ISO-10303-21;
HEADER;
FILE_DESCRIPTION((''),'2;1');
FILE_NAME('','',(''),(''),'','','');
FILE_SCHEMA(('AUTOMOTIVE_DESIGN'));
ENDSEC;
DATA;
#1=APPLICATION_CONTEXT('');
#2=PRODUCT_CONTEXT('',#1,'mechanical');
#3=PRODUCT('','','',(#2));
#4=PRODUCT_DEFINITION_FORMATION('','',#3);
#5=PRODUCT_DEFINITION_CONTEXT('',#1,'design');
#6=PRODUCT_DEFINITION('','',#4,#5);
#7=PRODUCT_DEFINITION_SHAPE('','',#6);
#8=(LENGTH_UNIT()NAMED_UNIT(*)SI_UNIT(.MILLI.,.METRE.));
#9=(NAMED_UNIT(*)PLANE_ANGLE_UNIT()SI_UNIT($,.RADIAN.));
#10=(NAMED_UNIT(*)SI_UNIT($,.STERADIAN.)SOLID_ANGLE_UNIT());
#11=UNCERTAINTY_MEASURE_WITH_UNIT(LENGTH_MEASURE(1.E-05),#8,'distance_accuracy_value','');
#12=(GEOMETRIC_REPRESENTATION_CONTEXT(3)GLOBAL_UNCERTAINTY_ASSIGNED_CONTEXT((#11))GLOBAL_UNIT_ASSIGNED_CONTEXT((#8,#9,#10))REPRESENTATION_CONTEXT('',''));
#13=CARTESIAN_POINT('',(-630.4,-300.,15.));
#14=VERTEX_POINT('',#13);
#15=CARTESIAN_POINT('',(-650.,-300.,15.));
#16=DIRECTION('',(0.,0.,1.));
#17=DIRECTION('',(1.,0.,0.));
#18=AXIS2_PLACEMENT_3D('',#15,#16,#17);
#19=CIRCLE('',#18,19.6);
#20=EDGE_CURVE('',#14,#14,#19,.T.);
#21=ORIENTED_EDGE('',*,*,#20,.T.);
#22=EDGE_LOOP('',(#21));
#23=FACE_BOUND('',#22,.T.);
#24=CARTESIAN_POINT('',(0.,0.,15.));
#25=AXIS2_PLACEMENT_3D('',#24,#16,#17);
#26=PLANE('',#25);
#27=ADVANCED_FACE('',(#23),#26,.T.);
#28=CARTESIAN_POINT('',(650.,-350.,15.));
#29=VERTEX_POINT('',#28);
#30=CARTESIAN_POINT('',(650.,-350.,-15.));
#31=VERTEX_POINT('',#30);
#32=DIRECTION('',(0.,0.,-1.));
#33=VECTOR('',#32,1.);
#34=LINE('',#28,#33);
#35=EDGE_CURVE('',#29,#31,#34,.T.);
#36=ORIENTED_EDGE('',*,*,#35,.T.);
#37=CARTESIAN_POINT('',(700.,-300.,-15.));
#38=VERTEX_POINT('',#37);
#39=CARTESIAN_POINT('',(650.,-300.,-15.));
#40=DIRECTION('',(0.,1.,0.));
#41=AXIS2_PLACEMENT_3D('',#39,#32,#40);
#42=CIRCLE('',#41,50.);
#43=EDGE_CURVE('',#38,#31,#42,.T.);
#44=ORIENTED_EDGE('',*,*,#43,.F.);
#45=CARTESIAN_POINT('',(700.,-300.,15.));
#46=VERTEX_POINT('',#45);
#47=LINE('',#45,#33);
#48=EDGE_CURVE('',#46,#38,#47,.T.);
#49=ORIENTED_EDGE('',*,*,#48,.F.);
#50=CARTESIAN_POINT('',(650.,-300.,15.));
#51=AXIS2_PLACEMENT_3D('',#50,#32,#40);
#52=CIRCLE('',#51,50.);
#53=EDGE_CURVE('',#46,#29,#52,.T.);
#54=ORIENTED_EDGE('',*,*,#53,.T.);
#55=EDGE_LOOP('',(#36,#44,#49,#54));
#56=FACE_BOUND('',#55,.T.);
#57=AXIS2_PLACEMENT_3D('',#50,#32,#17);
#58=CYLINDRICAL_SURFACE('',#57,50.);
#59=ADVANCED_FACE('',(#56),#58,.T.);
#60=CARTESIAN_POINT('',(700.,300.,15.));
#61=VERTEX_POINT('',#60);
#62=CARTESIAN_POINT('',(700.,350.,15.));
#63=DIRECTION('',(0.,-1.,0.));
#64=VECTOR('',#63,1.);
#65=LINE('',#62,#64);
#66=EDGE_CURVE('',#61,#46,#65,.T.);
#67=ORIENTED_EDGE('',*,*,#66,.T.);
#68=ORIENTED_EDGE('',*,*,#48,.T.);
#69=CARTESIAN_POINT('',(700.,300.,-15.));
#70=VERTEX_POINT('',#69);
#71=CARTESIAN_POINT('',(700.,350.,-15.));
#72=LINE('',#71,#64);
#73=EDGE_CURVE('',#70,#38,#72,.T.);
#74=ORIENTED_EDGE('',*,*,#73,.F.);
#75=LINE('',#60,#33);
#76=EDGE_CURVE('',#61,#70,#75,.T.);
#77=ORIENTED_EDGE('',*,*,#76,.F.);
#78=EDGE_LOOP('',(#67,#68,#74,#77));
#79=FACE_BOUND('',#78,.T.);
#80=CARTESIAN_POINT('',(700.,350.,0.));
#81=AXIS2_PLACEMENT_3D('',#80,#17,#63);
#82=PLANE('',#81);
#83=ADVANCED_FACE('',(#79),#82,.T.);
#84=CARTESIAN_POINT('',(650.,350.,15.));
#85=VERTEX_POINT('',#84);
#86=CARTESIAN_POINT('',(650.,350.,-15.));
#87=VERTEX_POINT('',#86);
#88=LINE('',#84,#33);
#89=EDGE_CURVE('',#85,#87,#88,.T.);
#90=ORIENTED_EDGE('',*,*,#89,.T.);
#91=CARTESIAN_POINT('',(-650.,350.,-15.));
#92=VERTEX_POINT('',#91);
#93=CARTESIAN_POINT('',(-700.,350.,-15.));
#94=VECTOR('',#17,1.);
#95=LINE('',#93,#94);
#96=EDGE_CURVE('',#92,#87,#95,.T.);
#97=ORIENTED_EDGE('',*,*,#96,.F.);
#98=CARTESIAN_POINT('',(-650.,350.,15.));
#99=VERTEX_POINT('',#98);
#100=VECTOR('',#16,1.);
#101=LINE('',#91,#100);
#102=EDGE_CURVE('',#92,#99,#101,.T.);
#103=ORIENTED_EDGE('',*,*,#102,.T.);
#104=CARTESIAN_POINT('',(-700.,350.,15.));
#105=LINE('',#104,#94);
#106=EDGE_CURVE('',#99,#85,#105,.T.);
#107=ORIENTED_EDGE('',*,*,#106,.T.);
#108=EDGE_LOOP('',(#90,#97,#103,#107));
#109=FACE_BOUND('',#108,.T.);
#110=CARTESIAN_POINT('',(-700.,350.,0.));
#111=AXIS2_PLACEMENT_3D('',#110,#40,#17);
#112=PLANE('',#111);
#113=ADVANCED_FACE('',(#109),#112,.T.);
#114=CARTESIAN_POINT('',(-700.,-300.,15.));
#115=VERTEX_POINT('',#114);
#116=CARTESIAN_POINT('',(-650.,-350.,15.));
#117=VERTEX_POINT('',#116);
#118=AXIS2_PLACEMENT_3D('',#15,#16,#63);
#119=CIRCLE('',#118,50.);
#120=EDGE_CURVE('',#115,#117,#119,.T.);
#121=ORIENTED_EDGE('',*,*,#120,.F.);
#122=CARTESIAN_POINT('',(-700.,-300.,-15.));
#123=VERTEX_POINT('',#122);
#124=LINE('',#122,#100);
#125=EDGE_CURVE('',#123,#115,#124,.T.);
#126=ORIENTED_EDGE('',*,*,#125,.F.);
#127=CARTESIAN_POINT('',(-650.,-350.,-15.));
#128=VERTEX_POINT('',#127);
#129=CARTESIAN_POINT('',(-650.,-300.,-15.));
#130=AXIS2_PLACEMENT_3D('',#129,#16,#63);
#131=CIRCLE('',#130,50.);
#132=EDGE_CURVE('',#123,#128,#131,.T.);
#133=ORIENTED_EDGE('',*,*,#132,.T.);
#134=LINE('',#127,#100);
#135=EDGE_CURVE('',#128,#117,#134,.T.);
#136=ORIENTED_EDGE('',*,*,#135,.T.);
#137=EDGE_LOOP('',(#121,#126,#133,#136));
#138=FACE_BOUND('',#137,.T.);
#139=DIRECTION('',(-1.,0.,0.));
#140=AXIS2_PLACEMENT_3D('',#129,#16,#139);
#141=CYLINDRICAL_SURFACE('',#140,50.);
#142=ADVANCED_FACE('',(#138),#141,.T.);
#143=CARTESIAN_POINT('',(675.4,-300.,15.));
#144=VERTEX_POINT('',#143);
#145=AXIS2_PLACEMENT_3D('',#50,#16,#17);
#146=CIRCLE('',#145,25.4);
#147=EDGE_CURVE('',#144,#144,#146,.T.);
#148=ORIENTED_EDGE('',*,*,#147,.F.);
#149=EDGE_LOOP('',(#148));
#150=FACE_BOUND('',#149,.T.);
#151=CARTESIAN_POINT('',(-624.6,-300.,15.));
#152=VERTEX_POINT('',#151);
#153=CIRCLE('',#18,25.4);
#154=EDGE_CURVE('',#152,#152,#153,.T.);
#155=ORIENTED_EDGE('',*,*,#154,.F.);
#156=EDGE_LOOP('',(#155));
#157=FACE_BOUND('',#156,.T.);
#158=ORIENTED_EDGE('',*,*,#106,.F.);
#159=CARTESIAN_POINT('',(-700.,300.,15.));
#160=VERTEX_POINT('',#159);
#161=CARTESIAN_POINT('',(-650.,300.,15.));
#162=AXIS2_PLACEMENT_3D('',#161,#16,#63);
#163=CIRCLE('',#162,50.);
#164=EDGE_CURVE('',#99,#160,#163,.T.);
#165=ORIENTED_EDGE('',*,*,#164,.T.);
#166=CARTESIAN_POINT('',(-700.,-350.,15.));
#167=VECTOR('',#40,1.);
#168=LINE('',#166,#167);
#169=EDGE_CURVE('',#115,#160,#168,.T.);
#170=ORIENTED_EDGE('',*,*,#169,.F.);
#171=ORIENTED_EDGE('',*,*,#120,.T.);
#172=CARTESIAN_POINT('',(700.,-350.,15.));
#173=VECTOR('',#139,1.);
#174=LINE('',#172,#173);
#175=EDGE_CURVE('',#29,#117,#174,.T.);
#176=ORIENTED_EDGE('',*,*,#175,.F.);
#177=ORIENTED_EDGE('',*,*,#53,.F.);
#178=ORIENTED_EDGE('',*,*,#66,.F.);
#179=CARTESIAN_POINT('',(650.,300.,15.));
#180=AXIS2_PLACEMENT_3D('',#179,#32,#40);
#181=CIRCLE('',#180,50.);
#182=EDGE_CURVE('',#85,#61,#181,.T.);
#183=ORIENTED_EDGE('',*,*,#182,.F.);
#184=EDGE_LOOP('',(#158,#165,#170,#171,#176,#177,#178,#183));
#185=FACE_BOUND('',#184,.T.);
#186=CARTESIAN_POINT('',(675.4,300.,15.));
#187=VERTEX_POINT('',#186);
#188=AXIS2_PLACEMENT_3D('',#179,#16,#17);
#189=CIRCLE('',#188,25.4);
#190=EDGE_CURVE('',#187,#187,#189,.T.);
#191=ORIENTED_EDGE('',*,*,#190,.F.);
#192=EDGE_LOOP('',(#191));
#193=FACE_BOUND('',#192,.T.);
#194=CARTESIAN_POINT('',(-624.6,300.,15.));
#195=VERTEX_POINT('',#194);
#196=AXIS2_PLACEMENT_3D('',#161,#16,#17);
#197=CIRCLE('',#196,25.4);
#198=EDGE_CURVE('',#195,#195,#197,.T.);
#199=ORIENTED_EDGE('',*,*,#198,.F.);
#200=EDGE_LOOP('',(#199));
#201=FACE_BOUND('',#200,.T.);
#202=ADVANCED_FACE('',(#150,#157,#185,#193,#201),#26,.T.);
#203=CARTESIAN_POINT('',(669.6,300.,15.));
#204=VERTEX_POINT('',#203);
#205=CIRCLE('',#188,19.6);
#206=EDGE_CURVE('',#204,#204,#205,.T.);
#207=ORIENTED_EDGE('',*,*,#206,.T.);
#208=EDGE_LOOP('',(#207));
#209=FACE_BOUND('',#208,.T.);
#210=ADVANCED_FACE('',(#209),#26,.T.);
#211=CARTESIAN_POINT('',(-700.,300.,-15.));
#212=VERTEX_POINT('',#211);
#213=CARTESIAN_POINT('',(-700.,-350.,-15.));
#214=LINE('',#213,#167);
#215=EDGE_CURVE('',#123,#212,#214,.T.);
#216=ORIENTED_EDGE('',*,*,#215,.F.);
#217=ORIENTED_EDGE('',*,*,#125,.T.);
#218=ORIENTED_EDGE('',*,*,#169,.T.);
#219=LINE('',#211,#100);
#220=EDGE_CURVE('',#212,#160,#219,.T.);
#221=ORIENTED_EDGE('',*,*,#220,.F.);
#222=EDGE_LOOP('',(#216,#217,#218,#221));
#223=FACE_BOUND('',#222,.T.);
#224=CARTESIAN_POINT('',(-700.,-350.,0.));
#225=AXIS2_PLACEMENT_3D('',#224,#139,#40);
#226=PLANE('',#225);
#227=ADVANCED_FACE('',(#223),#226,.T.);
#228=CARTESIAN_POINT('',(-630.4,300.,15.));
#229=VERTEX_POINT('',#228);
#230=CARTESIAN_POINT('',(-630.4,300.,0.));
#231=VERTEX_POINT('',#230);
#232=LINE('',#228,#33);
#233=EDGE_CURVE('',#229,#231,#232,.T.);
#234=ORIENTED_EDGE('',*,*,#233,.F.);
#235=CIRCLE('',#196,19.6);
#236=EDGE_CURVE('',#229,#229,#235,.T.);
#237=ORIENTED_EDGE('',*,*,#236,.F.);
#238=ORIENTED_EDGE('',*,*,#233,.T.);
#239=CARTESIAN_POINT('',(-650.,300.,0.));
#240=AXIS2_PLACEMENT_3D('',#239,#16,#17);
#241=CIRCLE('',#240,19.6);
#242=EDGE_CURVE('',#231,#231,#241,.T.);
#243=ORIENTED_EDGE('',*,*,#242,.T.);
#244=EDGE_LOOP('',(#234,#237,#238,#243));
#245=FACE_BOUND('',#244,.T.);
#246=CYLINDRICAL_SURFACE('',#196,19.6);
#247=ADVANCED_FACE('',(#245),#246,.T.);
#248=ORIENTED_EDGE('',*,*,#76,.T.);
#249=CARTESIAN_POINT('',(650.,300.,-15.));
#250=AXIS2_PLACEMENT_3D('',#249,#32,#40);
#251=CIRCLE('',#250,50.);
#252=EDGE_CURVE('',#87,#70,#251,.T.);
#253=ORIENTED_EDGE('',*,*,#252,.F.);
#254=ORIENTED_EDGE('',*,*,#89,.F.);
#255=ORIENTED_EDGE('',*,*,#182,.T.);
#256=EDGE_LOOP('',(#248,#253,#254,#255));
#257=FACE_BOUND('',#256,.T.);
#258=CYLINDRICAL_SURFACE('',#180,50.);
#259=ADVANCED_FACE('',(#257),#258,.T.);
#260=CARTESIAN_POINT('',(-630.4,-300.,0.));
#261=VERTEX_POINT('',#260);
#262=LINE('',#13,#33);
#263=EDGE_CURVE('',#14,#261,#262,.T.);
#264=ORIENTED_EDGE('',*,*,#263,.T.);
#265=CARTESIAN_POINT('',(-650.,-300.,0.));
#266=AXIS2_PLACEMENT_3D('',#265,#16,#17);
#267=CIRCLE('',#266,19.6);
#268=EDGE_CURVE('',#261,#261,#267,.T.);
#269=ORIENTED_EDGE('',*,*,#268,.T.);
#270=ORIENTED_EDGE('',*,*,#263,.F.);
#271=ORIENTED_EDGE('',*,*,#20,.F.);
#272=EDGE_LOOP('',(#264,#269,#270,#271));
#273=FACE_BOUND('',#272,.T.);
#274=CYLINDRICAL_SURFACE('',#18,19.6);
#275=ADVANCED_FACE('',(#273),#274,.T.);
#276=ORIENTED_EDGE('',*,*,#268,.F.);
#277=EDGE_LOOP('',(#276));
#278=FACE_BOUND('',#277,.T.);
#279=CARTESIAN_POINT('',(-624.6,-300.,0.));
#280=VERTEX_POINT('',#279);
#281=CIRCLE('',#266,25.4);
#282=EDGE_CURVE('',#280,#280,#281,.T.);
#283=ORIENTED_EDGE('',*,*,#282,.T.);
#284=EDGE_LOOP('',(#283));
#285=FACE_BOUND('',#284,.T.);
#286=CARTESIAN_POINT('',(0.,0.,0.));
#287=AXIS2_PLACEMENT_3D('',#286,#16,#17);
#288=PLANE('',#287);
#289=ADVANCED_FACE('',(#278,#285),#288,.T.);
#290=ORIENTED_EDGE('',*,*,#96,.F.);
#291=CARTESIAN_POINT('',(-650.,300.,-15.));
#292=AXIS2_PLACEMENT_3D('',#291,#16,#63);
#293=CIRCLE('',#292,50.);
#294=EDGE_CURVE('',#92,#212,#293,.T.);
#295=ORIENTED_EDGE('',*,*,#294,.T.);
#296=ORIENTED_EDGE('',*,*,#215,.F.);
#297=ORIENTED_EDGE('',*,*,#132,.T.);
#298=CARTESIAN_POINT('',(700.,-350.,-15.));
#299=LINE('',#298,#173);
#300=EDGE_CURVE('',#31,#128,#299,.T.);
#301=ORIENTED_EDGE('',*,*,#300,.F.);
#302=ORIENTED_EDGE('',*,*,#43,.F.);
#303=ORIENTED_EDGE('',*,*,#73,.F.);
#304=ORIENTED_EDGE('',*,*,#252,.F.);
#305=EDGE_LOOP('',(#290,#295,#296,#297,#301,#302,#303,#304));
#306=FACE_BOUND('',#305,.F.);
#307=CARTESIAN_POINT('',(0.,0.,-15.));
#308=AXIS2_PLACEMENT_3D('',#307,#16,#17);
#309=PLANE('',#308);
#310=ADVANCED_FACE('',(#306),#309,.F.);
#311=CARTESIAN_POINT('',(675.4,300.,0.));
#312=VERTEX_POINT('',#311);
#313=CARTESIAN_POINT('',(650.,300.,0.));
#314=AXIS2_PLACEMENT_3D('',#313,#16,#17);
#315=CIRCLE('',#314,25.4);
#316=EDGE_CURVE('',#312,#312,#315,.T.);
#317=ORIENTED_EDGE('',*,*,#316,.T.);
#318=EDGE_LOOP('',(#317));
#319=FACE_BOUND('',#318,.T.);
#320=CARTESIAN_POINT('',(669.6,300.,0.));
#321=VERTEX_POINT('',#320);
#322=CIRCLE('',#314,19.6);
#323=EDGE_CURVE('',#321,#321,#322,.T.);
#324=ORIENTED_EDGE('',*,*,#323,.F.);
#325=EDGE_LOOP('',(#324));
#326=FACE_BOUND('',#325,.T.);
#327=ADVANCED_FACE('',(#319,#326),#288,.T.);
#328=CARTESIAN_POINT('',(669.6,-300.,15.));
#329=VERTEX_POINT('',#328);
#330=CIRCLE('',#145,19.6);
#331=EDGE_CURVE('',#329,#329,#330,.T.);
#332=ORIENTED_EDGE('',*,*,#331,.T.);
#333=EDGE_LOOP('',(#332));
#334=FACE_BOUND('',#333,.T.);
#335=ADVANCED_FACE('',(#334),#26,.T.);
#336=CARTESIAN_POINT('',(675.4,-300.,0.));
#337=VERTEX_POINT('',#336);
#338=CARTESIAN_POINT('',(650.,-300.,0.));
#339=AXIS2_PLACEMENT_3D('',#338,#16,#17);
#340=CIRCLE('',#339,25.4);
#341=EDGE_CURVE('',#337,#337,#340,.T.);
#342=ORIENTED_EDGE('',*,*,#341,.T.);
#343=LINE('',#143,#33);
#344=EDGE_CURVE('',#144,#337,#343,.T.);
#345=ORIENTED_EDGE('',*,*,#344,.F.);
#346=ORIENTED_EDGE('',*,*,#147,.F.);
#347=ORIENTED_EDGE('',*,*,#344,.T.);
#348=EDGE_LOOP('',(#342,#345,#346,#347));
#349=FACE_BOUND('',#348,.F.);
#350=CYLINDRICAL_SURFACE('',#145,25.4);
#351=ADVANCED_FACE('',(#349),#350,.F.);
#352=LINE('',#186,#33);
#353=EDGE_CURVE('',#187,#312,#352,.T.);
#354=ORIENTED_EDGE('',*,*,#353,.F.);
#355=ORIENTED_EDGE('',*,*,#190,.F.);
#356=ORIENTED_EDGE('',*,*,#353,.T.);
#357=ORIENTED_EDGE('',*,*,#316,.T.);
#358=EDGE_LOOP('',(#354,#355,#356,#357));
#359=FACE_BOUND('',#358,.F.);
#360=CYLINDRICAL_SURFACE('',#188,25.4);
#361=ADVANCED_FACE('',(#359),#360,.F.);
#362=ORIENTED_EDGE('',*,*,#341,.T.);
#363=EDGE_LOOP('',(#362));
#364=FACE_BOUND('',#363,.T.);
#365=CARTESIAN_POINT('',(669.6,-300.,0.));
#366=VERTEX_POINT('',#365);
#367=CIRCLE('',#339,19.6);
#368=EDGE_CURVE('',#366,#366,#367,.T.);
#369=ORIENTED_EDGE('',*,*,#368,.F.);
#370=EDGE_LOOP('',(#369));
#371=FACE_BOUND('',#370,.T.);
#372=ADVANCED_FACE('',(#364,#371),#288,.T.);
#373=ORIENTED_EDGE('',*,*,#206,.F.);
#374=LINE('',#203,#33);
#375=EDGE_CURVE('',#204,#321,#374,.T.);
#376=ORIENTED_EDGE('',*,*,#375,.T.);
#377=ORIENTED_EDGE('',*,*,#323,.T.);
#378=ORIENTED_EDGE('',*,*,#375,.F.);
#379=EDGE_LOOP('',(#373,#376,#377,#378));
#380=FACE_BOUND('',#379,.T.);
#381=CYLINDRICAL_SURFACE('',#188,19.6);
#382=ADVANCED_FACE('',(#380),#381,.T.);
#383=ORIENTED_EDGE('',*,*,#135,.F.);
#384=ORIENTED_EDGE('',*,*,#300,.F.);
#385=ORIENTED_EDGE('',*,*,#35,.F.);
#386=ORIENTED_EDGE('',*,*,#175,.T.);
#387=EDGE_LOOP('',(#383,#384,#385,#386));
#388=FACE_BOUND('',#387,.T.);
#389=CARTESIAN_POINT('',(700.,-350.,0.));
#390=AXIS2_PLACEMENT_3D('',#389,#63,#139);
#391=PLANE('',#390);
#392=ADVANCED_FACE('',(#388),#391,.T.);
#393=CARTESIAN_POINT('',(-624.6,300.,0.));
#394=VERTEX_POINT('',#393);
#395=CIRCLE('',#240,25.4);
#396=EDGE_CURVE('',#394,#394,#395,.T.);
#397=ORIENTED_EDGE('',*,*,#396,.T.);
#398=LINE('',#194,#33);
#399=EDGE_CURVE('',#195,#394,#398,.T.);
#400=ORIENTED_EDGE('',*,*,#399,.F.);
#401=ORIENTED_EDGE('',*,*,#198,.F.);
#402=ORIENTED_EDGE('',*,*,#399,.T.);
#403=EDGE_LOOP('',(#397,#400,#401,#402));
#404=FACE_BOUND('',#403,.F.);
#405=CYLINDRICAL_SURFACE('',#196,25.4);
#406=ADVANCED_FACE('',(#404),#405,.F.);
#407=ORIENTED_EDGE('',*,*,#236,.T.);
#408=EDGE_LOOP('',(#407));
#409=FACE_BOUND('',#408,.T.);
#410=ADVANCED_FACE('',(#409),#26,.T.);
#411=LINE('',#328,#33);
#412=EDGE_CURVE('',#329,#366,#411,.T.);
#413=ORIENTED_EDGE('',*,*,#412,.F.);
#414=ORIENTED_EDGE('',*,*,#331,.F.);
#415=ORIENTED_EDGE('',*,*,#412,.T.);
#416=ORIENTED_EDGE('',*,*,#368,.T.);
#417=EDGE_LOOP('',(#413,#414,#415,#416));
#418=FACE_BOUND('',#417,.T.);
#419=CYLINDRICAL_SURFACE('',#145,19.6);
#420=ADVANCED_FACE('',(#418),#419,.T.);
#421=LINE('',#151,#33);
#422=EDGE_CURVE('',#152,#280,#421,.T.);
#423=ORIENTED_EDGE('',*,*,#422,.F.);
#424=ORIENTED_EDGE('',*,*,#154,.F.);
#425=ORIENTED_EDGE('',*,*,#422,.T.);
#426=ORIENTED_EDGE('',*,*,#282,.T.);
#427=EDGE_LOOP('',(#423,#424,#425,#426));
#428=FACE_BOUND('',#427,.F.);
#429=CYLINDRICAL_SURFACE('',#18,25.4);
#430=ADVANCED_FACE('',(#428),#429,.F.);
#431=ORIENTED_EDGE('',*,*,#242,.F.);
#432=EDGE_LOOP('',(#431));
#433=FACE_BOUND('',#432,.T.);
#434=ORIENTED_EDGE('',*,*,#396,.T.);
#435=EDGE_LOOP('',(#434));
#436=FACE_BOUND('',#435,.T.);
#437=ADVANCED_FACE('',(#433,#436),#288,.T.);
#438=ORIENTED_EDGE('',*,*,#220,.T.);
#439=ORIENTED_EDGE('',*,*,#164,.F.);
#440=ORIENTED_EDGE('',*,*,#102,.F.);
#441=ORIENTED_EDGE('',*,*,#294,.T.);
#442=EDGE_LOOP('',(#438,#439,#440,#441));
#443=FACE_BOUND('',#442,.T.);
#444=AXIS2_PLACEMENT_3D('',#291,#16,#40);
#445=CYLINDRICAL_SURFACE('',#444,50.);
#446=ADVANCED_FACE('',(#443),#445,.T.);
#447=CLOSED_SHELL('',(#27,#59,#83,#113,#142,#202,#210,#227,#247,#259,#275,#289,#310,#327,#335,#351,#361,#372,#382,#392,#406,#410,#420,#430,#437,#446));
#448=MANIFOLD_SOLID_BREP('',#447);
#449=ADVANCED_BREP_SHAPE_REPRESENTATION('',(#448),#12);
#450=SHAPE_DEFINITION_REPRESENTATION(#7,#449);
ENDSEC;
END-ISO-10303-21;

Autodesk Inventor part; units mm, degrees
sketch "Sketch1" plane through (0, 0, 0) normal (0, 0, 1) x (1, 0, 0)
  line L0 (-700, 350) -> (700, 350)
  line L1 (700, 350) -> (700, -350)
  line L2 (700, -350) -> (-700, -350)
  line L3 (-700, -350) -> (-700, 350)
  line L4 (-700, 350) -> (700, -350) construction
  line L5 (700, 350) -> (-700, -350) construction
  point P0 (0, 0)
  point P1 (0, 0)
  dimension "d1" = 1400
  dimension "d2" = 700
extrude "Extrusion1" add sketch "Sketch1" along normal mid plane 30
fillet "Fillet1" radius 50 4 edges at (700, 350, 0) (-700, 350, 0) (700, -350, 0) (-700, -350, 0)
sketch "Sketch2" plane through (0, 0, 15) normal (0, 0, 1) x (1, 0, 0)
  circle A0 centre (650, -300) radius 25.4
  line L0 (-737.5381, 0) -> (737.5381, 0) construction
  circle A1 centre (650, 300) radius 25.4
  line L1 (0, -555.4788) -> (0, 555.4788) construction
  circle A2 centre (-650, -300) radius 25.4
  circle A3 centre (-650, 300) radius 25.4
  circle A4 centre (650, -300) radius 19.6
  circle A5 centre (-650, -300) radius 19.6
  circle A6 centre (650, 300) radius 19.6
  circle A7 centre (-650, 300) radius 19.6
  point P0 (0, 0)
  point P1 (0, 0)
  point P2 (0, 0)
  dimension "d6" = 50.8
  dimension "d7" = 650
  dimension "d8" = 300
  dimension "d15" = 5.8
extrude "Extrusion2" cut sketch "Sketch2" against normal blind 15
properties part number "Sessao_02_04_002_001" material "Wood (Cherry)"
